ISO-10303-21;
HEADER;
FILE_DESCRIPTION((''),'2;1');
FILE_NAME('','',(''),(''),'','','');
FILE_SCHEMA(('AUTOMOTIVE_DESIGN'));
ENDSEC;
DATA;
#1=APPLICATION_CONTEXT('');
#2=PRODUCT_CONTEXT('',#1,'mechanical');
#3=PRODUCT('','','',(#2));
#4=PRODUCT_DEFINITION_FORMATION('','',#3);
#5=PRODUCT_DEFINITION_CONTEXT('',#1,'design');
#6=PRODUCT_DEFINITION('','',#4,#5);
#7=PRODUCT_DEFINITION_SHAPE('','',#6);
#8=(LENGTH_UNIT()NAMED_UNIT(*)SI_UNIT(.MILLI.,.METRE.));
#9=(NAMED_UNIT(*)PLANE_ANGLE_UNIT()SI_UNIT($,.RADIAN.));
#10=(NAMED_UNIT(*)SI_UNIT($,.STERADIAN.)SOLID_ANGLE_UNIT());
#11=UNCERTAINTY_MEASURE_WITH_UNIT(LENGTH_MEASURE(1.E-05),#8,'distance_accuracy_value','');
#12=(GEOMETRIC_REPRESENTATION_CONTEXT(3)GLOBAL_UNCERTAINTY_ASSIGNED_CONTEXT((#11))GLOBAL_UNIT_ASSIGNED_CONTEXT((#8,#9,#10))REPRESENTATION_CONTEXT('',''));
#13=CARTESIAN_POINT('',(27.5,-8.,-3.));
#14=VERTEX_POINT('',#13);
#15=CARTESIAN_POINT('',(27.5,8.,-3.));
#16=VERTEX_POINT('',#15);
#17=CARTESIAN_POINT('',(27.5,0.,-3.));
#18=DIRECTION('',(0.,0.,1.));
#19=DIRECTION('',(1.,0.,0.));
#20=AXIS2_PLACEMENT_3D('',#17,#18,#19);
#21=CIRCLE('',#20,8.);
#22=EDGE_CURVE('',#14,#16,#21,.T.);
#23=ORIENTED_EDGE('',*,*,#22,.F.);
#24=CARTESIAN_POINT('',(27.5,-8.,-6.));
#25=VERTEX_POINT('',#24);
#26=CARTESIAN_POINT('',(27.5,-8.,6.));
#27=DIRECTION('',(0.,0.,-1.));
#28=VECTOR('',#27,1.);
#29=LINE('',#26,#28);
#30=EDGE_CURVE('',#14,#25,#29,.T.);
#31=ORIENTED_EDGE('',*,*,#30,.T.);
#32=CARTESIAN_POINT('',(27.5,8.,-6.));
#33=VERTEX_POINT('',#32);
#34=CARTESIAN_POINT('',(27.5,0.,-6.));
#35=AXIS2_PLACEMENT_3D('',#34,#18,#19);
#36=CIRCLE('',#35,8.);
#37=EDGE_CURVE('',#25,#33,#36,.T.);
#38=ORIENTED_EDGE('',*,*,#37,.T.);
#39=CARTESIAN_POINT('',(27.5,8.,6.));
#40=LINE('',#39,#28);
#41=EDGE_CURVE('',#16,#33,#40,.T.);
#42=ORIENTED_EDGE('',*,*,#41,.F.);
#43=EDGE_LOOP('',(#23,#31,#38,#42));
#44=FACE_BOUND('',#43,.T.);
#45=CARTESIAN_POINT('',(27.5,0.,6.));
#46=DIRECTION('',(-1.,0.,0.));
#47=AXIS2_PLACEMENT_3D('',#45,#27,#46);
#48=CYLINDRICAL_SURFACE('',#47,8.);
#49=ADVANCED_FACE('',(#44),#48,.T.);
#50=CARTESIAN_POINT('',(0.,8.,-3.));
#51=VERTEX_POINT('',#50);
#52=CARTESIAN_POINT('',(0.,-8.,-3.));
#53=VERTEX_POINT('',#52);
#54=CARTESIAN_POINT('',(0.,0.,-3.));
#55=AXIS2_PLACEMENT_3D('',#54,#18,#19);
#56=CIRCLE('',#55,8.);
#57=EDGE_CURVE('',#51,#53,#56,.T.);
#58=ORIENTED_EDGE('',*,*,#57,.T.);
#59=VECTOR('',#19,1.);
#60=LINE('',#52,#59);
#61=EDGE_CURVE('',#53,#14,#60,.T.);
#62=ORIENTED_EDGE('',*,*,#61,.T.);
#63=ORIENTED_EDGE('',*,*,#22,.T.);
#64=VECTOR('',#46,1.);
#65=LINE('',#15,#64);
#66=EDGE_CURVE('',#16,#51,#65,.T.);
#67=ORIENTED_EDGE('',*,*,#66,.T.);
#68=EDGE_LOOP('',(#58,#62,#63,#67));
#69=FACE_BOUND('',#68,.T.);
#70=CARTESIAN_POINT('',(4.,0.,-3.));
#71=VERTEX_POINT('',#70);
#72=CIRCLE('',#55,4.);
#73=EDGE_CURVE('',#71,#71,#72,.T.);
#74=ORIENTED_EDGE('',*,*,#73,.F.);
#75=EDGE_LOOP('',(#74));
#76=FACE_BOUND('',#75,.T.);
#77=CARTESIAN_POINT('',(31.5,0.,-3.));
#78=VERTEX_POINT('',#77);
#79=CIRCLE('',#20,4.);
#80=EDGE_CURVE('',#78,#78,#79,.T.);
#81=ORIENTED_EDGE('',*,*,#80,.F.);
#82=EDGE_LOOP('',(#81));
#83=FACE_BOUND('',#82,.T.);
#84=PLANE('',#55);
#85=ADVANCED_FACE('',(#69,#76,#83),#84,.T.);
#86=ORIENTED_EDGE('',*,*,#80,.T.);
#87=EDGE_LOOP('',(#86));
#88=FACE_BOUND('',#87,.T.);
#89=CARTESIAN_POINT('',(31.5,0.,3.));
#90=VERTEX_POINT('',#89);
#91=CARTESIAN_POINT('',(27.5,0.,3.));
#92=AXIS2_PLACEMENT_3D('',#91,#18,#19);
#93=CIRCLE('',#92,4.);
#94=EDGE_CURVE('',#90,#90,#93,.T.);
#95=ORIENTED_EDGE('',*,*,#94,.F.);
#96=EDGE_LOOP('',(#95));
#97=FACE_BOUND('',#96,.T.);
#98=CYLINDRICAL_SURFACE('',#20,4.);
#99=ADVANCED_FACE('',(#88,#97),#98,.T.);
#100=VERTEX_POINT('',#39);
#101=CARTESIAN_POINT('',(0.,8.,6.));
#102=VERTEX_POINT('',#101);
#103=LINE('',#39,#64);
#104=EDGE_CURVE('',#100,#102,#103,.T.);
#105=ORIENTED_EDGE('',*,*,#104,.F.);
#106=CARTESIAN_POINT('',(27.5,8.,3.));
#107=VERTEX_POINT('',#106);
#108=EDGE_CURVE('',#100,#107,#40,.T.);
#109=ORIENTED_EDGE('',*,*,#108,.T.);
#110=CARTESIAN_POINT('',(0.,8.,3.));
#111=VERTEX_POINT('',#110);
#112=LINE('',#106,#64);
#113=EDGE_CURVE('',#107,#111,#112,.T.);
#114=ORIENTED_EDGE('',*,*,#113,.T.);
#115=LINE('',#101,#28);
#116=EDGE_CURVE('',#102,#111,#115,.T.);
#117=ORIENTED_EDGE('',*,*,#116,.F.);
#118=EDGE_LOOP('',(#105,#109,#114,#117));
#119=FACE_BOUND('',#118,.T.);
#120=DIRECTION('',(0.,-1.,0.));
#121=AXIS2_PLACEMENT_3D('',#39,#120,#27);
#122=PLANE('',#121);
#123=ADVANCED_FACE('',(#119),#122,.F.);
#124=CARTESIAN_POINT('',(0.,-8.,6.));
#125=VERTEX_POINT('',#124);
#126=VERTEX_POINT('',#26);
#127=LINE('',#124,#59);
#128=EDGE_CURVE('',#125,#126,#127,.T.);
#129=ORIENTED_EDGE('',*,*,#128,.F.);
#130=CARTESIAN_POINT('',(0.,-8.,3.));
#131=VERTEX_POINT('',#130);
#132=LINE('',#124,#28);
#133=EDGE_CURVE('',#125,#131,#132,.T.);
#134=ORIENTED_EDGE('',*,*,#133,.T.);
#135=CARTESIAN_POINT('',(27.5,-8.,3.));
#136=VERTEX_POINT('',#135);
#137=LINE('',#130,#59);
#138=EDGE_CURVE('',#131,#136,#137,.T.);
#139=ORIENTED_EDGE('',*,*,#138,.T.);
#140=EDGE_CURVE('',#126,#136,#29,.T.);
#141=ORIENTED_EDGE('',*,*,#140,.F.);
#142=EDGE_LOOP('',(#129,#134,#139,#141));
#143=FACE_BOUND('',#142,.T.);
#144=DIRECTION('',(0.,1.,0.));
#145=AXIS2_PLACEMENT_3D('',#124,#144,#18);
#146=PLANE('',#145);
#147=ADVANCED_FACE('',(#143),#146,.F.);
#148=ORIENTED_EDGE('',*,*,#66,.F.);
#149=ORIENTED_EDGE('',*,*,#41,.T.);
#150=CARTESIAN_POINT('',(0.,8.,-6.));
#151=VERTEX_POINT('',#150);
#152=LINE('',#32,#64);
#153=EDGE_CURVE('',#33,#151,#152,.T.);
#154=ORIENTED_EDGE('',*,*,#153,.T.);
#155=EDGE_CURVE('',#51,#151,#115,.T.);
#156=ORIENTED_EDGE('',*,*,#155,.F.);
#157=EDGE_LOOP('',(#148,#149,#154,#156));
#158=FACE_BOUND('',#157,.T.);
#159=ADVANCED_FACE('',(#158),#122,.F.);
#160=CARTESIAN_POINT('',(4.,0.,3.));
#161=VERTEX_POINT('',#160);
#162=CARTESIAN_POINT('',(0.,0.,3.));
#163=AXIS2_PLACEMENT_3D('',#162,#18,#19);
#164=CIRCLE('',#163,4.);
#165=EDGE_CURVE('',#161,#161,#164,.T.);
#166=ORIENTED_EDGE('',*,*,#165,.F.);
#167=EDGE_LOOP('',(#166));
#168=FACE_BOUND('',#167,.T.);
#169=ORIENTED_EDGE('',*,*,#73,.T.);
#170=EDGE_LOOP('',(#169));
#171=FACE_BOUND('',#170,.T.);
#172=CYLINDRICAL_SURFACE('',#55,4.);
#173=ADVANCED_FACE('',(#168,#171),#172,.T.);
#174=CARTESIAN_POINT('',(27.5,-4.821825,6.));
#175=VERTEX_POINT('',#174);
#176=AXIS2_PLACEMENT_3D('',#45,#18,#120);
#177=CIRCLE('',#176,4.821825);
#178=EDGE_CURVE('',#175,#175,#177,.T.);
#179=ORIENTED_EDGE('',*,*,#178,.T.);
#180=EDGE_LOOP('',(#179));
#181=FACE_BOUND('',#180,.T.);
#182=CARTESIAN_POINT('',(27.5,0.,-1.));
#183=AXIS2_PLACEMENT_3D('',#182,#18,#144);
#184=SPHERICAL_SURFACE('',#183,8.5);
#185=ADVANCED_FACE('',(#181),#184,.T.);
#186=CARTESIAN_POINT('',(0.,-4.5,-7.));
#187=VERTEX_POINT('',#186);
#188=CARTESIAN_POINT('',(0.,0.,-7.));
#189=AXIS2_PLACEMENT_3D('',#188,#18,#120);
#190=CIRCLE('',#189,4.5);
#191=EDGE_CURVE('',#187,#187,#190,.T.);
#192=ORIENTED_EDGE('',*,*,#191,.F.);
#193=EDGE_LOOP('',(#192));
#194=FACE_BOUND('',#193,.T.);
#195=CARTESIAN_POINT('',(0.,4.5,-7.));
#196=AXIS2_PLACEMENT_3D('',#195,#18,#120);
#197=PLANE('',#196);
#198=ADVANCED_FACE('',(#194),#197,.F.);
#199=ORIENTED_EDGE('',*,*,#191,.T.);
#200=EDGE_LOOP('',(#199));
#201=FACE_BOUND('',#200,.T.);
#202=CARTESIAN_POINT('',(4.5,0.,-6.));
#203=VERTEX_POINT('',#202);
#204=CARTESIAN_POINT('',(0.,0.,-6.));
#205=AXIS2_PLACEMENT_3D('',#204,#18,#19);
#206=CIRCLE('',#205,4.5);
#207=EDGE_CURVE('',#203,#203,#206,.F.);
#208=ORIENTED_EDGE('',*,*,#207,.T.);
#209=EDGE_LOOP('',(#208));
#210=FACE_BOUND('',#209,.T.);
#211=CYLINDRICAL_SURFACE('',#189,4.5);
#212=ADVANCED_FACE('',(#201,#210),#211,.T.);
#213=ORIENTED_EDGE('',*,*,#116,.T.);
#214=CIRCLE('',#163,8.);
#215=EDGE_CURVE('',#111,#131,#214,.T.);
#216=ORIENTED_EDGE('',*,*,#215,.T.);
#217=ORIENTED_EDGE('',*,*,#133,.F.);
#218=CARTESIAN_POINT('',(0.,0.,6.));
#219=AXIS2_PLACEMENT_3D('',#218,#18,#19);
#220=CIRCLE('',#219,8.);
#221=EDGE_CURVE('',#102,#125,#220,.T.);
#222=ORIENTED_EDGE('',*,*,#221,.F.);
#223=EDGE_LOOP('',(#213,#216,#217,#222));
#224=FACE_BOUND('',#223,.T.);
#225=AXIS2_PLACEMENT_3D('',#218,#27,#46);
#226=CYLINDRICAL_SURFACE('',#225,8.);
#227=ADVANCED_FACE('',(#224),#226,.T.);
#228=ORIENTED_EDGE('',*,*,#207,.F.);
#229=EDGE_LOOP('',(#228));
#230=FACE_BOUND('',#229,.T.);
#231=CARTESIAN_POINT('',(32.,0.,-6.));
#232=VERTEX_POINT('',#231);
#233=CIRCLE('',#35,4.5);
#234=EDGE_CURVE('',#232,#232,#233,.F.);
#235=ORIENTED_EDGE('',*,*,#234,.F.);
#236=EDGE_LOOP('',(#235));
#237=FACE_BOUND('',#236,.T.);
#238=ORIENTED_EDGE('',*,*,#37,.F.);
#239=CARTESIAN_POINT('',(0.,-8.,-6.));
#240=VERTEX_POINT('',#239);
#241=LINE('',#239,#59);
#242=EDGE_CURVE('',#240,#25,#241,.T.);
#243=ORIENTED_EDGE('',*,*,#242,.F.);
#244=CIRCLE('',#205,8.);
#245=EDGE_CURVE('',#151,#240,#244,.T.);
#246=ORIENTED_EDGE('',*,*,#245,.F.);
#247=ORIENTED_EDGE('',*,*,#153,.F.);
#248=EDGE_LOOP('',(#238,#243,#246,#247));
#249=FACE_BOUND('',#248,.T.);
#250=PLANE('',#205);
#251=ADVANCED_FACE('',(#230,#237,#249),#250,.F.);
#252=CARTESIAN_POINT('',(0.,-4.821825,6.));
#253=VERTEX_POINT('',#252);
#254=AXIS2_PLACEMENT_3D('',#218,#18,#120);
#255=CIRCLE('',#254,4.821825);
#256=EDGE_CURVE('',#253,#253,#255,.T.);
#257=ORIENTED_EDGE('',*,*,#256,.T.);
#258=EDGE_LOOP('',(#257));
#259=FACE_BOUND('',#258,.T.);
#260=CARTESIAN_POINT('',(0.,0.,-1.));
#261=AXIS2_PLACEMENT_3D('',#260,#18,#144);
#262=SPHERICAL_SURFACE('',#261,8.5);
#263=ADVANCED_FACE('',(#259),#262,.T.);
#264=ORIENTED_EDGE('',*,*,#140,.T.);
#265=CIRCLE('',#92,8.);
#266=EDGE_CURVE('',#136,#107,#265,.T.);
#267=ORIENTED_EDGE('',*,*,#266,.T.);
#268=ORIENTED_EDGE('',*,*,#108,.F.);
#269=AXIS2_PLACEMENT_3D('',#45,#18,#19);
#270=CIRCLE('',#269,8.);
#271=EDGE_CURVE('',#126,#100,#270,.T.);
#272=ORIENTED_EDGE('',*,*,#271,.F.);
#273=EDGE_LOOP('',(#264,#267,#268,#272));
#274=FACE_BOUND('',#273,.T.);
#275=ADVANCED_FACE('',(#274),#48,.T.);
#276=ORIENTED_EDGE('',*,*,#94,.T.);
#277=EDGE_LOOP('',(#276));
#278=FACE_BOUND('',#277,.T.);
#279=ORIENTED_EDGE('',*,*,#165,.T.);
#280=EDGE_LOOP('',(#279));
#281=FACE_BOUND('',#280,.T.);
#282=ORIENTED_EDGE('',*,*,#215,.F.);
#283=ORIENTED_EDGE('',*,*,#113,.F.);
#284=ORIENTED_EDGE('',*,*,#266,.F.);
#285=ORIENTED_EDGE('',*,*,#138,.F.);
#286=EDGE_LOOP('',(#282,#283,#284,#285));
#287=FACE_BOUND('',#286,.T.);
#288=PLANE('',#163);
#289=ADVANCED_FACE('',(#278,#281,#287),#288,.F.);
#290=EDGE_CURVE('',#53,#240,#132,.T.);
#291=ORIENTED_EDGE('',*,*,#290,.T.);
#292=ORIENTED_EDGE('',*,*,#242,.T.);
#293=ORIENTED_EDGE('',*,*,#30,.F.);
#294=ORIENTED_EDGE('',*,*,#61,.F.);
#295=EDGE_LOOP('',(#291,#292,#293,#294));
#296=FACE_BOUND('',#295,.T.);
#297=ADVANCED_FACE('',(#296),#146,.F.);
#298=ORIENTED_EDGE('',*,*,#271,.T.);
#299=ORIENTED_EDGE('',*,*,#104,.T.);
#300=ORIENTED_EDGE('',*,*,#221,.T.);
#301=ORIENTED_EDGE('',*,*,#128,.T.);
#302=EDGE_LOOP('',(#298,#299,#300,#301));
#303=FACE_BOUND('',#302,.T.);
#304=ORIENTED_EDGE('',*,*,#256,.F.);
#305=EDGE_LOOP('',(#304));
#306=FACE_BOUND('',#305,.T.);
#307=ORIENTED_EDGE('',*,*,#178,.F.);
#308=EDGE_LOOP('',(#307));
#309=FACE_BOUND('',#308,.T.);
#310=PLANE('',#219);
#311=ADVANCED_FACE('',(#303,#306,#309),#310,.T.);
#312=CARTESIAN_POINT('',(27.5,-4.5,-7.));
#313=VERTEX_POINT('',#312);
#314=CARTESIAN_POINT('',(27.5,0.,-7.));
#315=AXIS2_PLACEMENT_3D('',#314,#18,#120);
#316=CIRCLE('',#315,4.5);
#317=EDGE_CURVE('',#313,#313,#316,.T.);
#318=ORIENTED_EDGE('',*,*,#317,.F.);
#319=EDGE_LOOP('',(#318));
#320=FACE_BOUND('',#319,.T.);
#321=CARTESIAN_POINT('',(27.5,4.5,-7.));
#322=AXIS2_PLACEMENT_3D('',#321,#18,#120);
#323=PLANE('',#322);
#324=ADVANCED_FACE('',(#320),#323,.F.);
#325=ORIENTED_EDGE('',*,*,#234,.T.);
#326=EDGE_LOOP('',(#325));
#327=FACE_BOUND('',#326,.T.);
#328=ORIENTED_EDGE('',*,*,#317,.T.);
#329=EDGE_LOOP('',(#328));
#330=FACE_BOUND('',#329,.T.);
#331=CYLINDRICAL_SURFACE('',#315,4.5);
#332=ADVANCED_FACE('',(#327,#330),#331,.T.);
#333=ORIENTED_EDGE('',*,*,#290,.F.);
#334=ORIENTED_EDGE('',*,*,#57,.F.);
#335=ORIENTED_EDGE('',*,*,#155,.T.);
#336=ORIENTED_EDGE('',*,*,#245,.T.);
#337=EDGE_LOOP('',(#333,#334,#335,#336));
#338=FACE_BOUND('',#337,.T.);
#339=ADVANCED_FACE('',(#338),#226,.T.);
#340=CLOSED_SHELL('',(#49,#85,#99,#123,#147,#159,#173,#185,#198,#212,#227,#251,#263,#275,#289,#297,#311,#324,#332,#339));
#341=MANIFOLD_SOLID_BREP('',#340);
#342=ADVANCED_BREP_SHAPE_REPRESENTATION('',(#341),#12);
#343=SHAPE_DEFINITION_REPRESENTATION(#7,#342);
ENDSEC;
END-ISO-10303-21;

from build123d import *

# Parameters (mm, degrees)
EXTRUDE_1_DEPTH          = 6
EXTRUDE_1_DEPTH_BACK     = 6
CUT_EXTRUDE_1_DEPTH      = 3
CUT_EXTRUDE_1_DEPTH_BACK = 3
SKETCH_4_R               = 4


with BuildPart() as part:
    # 草图1 → 凸台-拉伸1 (new, two sides: drawn at the far end of the back side and taken through both)
    with BuildSketch(Plane.XY.offset(-EXTRUDE_1_DEPTH_BACK)):
        with BuildLine():
            Line((0, -8), (27.5, -8))
            ThreePointArc((27.5, -8), (35.5, 0), (27.5, 8))
            Line((27.5, 8), (0, 8))
            ThreePointArc((0, 8), (-8, 0), (0, -8))
        make_face()
    extrude(amount=EXTRUDE_1_DEPTH + EXTRUDE_1_DEPTH_BACK)

    # 草图2 → 旋转1 (revolve)
    with BuildSketch(Plane(origin=(0, 0, 0), x_dir=(0, 0, -1), z_dir=(1, 0, 0))):
        with BuildLine():
            Line((-6, 4.82182538), (-6, 4))
            Line((-6, 4), (6, 4))
            Line((6, 4), (6, 4.5))
            Line((6, 4.5), (7, 4.5))
            Line((7, 4.5), (7, 0))
            Line((7, 0), (-7.5, 0))
            ThreePointArc((-7.5, 0), (-7.11634154, 2.524876235), (-6, 4.82182538))
        make_face()
    revolve(axis=Axis((0, 0, -7), (0, 0, 1)))

    # 草图3 → 旋转2 (revolve)
    with BuildSketch(Plane(origin=(27.5, 0, 0), x_dir=(0, 0, -1), z_dir=(1, 0, 0))):
        with BuildLine():
            Line((-6, 4.82182538), (-6, 4))
            Line((-6, 4), (6, 4))
            Line((6, 4), (6, 4.5))
            Line((6, 4.5), (7, 4.5))
            Line((7, 4.5), (7, 0))
            Line((7, 0), (-7.5, 0))
            ThreePointArc((-7.5, 0), (-7.11634154, 2.524876235), (-6, 4.82182538))
        make_face()
    revolve(axis=Axis((27.5, 0, -7), (0, 0, 1)))

    # 草图4 → 切除-拉伸1 (cut, two sides: drawn at the far end of the back side and taken through both)
    with BuildSketch(Plane.XY.offset(-CUT_EXTRUDE_1_DEPTH_BACK)):
        with BuildLine():
            Line((0, -8), (27.5, -8))
            ThreePointArc((27.5, -8), (35.5, 0), (27.5, 8))
            Line((27.5, 8), (0, 8))
            ThreePointArc((0, 8), (-8, 0), (0, -8))
        make_face()
        with Locations((27.5, 0)):
            Circle(SKETCH_4_R, mode=Mode.SUBTRACT)
        Circle(SKETCH_4_R, mode=Mode.SUBTRACT)
    extrude(amount=CUT_EXTRUDE_1_DEPTH + CUT_EXTRUDE_1_DEPTH_BACK, mode=Mode.SUBTRACT)


solid = part.part
